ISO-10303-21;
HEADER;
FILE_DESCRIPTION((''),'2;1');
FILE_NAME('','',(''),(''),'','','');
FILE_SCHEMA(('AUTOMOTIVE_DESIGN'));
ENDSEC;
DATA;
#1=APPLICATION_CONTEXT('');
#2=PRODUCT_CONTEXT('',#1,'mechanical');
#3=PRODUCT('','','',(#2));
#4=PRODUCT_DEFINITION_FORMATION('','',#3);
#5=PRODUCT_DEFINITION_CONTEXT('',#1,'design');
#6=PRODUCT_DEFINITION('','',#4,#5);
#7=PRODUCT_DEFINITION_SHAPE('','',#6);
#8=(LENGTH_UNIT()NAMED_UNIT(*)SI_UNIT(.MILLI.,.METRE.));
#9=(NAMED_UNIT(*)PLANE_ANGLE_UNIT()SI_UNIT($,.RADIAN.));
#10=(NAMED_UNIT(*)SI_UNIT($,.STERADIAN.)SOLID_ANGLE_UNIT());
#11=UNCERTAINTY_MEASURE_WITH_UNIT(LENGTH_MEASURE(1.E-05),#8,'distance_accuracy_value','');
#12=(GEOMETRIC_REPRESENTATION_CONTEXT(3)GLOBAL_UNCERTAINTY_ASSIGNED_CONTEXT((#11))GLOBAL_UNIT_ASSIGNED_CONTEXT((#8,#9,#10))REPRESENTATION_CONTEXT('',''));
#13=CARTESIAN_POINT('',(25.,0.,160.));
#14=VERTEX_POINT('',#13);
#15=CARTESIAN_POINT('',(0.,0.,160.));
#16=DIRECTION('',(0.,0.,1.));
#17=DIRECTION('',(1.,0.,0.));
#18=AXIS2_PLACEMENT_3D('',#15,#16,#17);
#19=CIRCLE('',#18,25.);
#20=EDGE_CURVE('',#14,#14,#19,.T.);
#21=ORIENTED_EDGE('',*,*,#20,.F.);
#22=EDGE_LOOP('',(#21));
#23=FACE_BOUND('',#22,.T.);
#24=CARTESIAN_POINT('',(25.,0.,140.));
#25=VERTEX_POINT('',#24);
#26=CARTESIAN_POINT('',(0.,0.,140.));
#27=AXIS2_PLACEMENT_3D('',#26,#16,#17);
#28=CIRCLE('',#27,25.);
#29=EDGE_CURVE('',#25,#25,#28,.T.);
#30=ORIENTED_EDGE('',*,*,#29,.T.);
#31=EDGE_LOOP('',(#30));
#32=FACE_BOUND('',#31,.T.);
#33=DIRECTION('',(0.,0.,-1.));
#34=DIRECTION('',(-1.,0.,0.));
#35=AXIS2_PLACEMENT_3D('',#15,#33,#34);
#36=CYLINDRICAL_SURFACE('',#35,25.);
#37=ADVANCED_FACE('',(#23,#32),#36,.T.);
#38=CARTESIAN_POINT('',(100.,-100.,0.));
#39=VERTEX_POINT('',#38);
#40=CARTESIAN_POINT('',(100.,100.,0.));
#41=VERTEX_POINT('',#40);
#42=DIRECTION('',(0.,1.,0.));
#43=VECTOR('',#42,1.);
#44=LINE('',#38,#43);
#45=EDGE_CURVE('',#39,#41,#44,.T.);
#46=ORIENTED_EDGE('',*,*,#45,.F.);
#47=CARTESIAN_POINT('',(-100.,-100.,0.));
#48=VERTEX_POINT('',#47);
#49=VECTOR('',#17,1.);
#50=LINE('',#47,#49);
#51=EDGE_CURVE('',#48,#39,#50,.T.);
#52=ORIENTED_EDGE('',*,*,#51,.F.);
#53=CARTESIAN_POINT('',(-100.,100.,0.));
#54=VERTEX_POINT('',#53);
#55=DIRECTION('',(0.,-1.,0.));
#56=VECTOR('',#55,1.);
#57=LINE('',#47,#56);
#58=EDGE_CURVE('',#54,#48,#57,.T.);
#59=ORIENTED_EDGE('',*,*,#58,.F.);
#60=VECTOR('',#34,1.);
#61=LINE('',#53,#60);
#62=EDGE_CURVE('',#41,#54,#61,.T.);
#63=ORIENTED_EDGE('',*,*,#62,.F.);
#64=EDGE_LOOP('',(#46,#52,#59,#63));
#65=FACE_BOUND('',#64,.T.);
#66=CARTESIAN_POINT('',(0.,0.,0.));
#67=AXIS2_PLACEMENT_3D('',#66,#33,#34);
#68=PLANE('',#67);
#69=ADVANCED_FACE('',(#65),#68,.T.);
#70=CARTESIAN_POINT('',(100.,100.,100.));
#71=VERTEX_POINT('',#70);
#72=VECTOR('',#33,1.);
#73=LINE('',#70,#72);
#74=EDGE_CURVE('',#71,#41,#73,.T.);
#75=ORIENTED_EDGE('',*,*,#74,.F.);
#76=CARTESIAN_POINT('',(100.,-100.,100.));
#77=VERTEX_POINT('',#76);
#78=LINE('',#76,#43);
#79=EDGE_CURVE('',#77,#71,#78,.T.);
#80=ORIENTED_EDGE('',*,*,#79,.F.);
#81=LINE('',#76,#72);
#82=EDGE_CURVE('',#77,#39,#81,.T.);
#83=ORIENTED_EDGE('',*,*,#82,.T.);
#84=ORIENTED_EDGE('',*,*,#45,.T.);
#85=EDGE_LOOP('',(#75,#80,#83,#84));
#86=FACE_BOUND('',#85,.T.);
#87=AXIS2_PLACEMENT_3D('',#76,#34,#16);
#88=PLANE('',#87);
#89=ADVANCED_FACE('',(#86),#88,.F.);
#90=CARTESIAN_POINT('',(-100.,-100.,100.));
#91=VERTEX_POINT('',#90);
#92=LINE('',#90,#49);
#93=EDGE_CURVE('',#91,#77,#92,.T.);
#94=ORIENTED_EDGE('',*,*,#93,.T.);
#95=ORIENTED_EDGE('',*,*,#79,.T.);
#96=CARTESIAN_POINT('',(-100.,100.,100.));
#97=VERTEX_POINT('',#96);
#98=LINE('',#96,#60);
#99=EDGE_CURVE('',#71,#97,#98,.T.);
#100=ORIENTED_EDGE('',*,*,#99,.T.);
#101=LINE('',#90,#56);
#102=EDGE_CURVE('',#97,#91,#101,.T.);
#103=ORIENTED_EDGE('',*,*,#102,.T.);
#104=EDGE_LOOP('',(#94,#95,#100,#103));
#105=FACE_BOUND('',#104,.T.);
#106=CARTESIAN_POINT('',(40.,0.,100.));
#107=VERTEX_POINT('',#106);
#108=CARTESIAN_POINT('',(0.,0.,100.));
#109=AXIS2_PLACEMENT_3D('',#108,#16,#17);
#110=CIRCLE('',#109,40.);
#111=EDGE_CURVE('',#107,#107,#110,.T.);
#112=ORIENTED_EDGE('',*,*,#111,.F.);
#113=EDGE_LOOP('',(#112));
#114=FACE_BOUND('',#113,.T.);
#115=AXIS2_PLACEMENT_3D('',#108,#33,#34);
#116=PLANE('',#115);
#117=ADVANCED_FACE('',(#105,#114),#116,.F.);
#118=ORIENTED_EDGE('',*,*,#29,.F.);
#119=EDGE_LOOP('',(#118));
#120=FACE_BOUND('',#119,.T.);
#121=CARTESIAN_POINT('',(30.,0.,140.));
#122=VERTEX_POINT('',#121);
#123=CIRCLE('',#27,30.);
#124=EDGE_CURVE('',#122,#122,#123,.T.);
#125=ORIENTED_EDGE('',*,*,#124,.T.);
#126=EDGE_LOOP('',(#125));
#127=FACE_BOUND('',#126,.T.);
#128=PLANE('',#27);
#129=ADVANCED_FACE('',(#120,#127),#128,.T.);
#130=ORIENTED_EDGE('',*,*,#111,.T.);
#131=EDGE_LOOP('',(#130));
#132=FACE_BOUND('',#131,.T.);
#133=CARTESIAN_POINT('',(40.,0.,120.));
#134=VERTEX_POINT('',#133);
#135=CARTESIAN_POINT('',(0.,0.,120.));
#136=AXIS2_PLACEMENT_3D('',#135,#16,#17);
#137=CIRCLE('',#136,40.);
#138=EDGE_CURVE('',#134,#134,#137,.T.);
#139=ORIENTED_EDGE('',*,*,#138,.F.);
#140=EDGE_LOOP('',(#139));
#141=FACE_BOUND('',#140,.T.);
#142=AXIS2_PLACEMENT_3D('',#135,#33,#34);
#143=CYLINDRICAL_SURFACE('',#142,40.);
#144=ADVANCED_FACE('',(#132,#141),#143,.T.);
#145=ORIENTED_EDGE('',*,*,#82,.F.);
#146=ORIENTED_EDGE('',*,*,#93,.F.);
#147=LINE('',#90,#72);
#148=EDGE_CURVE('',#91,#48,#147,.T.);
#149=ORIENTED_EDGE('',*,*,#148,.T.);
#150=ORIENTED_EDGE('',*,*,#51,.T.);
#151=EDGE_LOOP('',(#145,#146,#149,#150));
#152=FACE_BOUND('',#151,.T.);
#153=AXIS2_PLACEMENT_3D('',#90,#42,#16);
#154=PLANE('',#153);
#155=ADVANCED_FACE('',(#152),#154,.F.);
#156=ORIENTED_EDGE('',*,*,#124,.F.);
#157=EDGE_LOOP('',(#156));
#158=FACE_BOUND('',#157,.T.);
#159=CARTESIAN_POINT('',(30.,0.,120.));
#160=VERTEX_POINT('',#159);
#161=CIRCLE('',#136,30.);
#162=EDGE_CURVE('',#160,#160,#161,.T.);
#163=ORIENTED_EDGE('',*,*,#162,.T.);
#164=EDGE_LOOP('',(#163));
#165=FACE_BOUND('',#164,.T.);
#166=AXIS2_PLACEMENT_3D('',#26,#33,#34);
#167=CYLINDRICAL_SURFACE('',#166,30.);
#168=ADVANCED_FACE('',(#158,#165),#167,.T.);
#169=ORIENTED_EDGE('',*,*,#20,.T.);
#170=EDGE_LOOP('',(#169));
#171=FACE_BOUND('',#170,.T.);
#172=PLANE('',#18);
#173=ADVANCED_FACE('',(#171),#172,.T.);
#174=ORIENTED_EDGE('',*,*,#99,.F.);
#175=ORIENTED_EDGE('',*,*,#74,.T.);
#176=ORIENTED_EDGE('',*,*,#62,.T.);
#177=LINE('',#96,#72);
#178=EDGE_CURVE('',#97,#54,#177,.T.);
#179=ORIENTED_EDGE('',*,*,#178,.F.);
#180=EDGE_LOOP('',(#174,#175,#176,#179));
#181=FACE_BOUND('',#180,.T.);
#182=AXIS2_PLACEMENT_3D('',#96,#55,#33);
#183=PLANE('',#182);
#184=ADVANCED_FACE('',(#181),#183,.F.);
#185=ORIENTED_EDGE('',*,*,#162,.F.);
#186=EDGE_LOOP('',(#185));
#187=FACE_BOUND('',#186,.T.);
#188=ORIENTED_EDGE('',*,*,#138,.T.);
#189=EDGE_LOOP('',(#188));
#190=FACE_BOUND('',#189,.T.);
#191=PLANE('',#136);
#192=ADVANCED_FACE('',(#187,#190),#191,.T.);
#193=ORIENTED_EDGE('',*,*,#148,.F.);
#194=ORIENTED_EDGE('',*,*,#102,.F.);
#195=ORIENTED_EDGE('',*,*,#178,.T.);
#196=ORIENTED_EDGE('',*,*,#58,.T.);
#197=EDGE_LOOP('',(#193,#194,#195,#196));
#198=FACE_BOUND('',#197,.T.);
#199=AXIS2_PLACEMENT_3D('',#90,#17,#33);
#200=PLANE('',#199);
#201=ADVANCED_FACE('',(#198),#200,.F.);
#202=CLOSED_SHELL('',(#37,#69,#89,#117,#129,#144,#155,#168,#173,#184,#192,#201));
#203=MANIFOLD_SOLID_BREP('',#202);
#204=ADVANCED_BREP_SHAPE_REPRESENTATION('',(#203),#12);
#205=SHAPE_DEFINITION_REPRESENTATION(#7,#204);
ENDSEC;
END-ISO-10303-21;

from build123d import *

# Parameters (mm, degrees)
SKETCH1_W           = 200
SKETCH1_H           = 200
BOSS_EXTRUDE1_DEPTH = 100
SKETCH2_R           = 40
BOSS_EXTRUDE2_DEPTH = 20
SKETCH3_R           = 30
BOSS_EXTRUDE3_DEPTH = 20
SKETCH4_R           = 25
BOSS_EXTRUDE4_DEPTH = 20


with BuildPart() as part:
    # Sketch1 → Boss-Extrude1 (new body)
    with BuildSketch(Plane.XY):
        Rectangle(SKETCH1_W, SKETCH1_H)
    extrude(amount=BOSS_EXTRUDE1_DEPTH)

    # Sketch2 → Boss-Extrude2 (add)
    with BuildSketch(Plane.XY.offset(100)):
        Circle(SKETCH2_R)
    extrude(amount=BOSS_EXTRUDE2_DEPTH)

    # Sketch3 → Boss-Extrude3 (add)
    with BuildSketch(Plane.XY.offset(120)):
        Circle(SKETCH3_R)
    extrude(amount=BOSS_EXTRUDE3_DEPTH)

    # Sketch4 → Boss-Extrude4 (add)
    with BuildSketch(Plane.XY.offset(140)):
        Circle(SKETCH4_R)
    extrude(amount=BOSS_EXTRUDE4_DEPTH)


solid = part.part
